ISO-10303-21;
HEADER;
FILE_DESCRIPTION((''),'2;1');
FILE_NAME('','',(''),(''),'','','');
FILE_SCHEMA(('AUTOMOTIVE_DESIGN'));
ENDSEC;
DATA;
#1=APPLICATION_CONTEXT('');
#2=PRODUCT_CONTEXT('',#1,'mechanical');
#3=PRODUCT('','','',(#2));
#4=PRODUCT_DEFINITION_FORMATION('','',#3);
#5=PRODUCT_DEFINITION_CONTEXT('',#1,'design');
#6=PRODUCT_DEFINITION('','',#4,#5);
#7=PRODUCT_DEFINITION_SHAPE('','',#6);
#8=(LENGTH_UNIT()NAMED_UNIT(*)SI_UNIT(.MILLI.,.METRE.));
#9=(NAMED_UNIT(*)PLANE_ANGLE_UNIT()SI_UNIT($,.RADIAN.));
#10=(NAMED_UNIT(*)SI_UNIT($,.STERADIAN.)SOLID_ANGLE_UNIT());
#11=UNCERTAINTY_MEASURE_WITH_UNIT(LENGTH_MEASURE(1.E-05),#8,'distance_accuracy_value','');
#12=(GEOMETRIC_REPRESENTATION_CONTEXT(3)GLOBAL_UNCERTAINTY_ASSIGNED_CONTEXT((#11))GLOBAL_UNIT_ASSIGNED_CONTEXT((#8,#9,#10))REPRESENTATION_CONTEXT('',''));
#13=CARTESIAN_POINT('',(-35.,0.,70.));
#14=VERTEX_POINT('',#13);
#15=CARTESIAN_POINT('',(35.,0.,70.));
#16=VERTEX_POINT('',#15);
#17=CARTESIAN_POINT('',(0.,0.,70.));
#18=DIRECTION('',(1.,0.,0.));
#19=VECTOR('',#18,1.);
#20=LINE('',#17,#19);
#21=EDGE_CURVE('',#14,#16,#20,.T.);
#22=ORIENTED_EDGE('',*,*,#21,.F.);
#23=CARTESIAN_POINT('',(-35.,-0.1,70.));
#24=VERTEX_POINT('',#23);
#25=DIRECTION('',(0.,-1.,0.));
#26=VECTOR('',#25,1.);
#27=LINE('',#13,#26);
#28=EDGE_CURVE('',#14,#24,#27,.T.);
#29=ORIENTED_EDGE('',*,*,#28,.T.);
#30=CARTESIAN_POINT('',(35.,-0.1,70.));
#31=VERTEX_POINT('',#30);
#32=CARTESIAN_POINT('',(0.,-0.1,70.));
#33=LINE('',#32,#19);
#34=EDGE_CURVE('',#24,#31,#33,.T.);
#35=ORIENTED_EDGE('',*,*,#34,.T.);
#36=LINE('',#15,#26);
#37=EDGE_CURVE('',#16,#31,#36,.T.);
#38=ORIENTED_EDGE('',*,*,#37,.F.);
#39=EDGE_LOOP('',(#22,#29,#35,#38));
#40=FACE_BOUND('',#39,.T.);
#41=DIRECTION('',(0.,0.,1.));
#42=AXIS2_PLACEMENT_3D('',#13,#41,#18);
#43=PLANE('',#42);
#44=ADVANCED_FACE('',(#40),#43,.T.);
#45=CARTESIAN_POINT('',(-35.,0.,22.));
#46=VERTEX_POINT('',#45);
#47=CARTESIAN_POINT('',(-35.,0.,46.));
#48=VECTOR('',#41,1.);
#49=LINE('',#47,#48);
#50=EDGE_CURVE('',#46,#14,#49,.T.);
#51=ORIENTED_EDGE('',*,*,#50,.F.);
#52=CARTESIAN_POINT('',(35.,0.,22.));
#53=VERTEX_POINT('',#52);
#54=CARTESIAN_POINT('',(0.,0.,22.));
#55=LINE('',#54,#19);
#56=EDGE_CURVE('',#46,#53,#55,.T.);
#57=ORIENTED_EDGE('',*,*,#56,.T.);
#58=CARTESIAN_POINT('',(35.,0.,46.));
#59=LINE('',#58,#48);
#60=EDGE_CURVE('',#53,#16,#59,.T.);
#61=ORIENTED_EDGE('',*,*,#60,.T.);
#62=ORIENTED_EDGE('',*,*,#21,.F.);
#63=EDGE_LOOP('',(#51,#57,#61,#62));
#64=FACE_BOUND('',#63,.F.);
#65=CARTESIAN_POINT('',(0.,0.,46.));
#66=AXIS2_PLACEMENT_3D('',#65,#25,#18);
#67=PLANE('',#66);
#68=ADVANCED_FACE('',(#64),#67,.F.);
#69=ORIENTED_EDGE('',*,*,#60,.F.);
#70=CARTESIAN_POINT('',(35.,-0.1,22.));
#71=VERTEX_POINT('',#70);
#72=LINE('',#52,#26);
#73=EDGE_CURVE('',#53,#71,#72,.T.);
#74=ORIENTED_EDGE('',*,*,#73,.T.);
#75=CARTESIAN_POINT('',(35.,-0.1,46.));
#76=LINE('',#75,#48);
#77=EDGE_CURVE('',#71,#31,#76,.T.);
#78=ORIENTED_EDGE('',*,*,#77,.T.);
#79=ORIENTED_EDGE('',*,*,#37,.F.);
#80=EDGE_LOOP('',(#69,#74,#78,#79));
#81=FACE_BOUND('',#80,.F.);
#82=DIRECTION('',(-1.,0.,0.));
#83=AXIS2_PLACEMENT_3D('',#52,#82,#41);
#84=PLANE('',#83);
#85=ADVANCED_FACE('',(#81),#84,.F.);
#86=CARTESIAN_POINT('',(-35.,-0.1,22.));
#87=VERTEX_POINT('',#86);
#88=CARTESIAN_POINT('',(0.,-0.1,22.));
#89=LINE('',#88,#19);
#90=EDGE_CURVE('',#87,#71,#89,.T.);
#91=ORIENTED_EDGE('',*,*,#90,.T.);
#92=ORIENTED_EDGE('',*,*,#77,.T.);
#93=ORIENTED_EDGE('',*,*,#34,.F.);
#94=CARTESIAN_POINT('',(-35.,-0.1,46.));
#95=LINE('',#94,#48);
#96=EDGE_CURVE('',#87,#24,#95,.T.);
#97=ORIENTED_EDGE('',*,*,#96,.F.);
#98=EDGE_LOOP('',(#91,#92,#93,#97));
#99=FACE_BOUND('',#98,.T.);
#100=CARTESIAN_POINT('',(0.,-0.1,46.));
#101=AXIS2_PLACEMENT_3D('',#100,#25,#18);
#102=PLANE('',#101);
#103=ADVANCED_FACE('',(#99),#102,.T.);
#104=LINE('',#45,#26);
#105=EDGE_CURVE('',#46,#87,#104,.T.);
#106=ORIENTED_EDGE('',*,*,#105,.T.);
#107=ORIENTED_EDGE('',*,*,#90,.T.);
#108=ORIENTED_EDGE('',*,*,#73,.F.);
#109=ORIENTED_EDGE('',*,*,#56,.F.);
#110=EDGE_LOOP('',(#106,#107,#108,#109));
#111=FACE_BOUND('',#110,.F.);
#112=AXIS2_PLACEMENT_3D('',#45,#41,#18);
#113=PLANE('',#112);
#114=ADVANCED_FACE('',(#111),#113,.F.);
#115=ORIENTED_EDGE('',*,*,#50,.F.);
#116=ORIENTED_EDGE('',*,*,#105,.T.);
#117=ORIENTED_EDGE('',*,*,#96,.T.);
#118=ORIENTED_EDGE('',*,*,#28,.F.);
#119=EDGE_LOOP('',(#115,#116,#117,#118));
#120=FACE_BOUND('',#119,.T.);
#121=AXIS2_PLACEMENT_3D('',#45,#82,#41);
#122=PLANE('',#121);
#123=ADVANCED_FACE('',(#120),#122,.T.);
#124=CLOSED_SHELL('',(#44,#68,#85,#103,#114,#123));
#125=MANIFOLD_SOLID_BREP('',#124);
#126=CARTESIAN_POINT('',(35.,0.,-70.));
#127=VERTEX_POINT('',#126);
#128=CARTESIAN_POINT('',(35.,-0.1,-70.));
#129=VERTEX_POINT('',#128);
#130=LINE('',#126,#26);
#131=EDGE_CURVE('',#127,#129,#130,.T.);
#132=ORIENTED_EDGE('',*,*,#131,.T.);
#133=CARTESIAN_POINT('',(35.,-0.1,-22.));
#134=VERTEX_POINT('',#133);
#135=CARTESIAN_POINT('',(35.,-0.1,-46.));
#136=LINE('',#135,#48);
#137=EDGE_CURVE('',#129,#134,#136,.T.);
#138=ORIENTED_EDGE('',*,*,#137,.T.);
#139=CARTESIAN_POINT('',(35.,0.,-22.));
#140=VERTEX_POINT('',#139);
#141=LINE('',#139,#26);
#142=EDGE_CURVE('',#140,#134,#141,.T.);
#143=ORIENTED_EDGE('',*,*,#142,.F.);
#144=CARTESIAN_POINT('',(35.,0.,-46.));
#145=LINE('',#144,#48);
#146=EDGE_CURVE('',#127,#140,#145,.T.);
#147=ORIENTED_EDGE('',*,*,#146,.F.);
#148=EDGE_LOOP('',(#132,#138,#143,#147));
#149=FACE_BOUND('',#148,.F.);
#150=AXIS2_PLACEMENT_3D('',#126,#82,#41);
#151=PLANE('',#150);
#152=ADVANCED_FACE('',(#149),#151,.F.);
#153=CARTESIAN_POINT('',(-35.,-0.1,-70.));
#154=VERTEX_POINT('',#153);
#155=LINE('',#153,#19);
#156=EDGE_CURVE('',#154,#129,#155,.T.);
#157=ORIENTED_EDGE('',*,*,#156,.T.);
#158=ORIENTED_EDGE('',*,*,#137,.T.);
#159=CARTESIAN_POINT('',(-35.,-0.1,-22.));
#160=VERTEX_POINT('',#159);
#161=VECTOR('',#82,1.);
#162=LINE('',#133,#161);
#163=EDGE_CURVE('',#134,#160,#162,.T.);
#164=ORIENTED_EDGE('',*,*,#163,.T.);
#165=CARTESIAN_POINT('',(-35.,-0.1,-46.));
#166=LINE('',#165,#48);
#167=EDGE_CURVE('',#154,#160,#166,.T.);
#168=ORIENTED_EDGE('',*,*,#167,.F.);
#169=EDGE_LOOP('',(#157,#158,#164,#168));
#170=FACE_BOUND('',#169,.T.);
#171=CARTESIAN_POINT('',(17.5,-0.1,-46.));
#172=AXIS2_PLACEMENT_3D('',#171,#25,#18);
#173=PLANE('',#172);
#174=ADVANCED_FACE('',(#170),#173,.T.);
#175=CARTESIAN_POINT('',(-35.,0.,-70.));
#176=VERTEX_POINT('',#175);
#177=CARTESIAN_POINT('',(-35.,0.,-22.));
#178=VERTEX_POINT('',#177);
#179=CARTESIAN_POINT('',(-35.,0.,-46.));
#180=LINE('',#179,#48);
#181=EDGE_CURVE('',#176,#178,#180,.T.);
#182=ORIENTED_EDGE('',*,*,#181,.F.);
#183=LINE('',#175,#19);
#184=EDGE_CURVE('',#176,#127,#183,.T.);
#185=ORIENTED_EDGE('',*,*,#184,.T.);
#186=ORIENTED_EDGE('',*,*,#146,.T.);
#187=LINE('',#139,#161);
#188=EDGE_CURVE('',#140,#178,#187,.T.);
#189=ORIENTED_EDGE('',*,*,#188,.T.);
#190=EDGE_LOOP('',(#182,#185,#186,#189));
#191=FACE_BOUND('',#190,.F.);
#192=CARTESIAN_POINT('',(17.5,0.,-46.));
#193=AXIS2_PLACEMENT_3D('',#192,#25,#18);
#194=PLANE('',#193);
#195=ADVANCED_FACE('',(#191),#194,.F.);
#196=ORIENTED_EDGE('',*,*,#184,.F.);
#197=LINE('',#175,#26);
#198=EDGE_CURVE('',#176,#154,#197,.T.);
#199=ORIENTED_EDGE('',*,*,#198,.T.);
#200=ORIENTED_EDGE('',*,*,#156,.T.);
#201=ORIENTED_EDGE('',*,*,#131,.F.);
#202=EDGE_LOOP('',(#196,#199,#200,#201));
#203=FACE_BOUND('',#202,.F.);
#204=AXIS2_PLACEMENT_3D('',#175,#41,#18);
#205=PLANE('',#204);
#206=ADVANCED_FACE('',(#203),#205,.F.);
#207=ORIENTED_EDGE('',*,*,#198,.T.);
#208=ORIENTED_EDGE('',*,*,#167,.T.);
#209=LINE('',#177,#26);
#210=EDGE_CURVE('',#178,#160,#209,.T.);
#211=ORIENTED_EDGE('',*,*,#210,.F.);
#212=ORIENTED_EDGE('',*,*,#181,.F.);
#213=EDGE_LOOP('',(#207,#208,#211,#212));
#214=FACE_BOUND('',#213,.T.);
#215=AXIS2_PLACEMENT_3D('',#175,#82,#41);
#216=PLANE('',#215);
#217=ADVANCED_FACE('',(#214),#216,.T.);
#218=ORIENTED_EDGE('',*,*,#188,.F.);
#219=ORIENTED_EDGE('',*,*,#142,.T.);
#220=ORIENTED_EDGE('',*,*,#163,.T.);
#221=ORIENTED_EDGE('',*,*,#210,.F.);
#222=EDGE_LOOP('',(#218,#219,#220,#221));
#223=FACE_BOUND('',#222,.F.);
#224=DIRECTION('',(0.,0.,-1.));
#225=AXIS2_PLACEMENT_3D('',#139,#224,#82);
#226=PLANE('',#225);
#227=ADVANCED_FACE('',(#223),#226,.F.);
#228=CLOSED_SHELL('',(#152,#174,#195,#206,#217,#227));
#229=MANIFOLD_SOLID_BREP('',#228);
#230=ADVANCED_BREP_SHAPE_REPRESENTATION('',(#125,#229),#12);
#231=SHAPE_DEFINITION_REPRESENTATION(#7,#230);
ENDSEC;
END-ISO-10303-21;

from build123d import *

# Parameters (mm, degrees)
F0_W     = 70
F0_H     = 48
F0_W_2   = 35
F1_DEPTH = 0.1


with BuildPart() as f1:
    # F0 (on Front) → F1 (new body)
    with BuildSketch(Plane.XZ):
        with Locations((0, 46)):
            Rectangle(F0_W, F0_H)
        with Locations((17.5, -46)):
            Rectangle(F0_W_2, F0_H)
        with Locations((-17.5, -46)):
            Rectangle(F0_W_2, F0_H)
    extrude(amount=F1_DEPTH)


solid = f1.part
